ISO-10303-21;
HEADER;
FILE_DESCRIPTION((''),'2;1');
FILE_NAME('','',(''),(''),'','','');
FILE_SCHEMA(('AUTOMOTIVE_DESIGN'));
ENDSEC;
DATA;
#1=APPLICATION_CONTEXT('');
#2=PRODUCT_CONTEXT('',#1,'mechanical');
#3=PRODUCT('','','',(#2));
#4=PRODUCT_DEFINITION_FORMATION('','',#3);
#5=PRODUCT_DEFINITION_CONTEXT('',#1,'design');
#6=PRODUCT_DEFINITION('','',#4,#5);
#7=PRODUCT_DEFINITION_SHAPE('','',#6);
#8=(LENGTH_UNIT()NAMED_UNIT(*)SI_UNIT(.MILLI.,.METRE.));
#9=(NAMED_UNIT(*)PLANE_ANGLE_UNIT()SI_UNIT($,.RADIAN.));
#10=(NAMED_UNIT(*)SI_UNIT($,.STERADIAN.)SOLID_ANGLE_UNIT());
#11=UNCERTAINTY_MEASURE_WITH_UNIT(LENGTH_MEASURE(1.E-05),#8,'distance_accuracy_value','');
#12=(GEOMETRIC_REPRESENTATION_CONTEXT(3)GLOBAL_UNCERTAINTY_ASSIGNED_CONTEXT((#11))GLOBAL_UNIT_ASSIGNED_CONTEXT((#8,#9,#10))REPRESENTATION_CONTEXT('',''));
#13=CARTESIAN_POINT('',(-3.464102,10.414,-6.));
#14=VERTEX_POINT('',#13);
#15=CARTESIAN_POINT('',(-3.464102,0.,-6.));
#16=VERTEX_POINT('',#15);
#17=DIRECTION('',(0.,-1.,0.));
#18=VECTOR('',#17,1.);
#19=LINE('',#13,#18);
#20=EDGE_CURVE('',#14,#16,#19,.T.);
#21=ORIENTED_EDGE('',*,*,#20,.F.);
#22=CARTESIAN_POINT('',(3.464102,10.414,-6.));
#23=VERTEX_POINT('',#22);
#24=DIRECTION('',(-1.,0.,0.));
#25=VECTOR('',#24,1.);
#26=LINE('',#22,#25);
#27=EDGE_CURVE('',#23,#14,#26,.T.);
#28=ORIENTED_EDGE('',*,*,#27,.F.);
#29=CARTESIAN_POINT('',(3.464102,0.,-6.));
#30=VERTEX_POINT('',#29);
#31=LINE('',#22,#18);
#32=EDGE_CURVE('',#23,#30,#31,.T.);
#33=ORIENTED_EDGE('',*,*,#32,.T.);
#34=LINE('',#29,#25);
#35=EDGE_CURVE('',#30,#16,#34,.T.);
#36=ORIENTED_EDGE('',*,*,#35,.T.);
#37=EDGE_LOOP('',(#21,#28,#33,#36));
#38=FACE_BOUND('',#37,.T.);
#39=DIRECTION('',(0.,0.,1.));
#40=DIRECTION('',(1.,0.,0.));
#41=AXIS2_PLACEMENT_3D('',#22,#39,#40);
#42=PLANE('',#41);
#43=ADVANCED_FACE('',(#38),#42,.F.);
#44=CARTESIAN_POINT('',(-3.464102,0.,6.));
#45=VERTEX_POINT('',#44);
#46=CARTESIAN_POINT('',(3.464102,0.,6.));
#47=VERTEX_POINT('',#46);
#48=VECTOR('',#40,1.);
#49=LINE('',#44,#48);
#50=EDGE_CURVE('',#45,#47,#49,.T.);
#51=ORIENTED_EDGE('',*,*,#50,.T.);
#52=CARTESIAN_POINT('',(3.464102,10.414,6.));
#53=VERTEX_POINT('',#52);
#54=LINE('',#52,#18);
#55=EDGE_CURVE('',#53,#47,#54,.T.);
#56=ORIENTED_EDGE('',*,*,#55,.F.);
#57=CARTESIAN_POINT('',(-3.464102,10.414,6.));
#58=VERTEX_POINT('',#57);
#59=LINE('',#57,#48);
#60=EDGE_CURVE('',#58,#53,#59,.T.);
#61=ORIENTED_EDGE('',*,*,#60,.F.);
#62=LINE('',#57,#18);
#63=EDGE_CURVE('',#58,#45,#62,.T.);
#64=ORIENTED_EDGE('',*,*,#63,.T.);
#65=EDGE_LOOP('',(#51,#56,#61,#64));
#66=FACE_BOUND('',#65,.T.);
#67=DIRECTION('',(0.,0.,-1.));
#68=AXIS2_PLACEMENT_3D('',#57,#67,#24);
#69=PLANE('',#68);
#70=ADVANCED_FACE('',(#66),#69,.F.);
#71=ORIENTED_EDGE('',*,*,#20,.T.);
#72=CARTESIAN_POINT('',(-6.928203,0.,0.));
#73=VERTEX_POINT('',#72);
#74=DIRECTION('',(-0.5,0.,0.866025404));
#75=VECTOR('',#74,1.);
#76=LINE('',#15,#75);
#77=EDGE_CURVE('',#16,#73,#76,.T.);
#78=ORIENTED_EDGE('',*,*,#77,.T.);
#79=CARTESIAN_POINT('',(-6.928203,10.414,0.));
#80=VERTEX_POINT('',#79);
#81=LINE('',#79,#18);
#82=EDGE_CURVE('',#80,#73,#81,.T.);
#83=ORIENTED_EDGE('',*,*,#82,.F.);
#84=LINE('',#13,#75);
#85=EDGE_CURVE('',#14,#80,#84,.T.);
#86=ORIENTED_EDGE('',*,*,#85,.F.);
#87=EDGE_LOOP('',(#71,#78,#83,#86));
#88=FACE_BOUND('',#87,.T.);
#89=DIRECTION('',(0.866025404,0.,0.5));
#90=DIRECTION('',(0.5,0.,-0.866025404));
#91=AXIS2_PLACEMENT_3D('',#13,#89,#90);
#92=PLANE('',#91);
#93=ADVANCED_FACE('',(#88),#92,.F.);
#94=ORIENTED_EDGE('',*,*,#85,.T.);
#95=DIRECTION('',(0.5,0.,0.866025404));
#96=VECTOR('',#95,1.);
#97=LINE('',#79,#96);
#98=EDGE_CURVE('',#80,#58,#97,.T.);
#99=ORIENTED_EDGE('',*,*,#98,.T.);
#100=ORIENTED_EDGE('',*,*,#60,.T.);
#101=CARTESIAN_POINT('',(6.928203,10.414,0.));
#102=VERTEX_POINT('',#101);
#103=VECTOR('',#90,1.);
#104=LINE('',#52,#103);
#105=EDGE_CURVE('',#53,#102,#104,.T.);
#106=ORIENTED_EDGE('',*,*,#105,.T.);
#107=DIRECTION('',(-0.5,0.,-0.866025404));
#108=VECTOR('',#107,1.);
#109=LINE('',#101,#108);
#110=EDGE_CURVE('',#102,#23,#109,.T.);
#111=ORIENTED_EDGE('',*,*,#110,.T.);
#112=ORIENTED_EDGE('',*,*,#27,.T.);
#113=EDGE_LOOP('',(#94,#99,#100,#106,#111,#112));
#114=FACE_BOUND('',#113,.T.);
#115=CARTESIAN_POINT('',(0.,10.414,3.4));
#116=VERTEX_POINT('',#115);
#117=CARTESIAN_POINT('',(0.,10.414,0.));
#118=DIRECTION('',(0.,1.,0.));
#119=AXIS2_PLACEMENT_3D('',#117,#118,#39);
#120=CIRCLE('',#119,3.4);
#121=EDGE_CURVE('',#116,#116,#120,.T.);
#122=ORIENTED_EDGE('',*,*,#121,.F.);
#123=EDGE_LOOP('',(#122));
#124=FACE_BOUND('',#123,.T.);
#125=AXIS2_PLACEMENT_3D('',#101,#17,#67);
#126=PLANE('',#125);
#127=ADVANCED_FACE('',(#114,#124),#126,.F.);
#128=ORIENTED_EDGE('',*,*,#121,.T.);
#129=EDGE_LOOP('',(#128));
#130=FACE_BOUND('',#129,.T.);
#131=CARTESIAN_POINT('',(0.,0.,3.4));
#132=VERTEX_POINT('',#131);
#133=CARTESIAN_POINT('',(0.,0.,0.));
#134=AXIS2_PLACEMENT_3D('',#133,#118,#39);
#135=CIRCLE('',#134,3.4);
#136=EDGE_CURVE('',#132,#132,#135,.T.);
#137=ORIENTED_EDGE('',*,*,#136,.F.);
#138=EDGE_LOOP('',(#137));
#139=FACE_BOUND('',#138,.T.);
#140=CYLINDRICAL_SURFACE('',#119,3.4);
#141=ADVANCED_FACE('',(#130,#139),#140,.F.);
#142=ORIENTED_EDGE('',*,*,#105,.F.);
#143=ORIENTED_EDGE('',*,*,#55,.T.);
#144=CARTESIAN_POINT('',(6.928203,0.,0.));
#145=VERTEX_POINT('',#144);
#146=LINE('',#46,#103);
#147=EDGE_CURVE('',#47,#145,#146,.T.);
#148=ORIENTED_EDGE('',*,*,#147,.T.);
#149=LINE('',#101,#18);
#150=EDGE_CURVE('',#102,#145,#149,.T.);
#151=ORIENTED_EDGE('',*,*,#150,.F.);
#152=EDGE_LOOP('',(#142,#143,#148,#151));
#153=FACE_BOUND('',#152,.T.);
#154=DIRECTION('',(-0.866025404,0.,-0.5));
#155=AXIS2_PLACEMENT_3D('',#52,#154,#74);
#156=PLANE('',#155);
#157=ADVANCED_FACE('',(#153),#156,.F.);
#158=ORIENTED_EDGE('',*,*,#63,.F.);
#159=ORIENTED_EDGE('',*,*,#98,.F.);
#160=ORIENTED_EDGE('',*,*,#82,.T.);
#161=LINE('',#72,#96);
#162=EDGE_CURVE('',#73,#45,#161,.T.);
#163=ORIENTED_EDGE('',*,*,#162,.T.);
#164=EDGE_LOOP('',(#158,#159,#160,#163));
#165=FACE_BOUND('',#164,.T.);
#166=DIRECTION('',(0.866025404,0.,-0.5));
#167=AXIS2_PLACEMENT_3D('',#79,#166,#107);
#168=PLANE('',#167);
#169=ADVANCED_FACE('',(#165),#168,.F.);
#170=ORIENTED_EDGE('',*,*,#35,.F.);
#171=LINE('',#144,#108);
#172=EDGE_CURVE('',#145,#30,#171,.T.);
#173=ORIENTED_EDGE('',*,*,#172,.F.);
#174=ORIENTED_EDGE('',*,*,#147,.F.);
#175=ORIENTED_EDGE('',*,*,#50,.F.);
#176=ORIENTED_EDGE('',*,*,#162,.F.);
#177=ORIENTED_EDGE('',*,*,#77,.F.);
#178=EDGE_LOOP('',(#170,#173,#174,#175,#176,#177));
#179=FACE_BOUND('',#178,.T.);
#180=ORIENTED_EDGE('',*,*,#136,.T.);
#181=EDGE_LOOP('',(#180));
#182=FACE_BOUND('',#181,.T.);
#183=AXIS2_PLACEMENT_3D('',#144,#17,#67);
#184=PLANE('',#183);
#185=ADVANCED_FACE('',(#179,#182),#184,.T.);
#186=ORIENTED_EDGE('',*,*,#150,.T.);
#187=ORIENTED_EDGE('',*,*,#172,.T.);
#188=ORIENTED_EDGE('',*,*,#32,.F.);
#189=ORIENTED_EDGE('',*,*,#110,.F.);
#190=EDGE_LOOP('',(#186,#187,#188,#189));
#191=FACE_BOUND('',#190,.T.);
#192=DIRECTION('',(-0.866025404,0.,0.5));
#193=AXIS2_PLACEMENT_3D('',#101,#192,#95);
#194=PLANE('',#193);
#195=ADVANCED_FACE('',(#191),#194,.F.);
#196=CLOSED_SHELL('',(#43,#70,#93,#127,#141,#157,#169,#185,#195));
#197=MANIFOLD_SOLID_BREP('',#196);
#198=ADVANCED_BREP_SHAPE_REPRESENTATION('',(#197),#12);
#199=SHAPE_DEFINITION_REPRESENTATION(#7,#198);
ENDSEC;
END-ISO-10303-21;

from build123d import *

# Parameters (mm, degrees)
EXTRUDE1_DEPTH         = 10.414
M8X1_25_TAPPED_HOLE1_D = 6.8


with BuildPart() as part:
    # Sketch1 → Extrude1 (new body)
    with BuildSketch(Plane(origin=(0, 0, 0), x_dir=(1, 0, 0), z_dir=(0, 1, 0))):
        Polygon((3.464101615, 6), (-3.464101615, 6), (-6.92820323, 0), (-3.464101615, -6), (3.464101615, -6), (6.92820323, 0), align=None)
    extrude(amount=EXTRUDE1_DEPTH)

    # M8x1.25 Tapped Hole1 (through all)
    with Locations(Plane(origin=(0, 10.414, 0), x_dir=(-1, 0, 0), z_dir=(0, 1, 0))):
        with Locations((0, 0)):
            Hole(M8X1_25_TAPPED_HOLE1_D / 2)


solid = part.part
